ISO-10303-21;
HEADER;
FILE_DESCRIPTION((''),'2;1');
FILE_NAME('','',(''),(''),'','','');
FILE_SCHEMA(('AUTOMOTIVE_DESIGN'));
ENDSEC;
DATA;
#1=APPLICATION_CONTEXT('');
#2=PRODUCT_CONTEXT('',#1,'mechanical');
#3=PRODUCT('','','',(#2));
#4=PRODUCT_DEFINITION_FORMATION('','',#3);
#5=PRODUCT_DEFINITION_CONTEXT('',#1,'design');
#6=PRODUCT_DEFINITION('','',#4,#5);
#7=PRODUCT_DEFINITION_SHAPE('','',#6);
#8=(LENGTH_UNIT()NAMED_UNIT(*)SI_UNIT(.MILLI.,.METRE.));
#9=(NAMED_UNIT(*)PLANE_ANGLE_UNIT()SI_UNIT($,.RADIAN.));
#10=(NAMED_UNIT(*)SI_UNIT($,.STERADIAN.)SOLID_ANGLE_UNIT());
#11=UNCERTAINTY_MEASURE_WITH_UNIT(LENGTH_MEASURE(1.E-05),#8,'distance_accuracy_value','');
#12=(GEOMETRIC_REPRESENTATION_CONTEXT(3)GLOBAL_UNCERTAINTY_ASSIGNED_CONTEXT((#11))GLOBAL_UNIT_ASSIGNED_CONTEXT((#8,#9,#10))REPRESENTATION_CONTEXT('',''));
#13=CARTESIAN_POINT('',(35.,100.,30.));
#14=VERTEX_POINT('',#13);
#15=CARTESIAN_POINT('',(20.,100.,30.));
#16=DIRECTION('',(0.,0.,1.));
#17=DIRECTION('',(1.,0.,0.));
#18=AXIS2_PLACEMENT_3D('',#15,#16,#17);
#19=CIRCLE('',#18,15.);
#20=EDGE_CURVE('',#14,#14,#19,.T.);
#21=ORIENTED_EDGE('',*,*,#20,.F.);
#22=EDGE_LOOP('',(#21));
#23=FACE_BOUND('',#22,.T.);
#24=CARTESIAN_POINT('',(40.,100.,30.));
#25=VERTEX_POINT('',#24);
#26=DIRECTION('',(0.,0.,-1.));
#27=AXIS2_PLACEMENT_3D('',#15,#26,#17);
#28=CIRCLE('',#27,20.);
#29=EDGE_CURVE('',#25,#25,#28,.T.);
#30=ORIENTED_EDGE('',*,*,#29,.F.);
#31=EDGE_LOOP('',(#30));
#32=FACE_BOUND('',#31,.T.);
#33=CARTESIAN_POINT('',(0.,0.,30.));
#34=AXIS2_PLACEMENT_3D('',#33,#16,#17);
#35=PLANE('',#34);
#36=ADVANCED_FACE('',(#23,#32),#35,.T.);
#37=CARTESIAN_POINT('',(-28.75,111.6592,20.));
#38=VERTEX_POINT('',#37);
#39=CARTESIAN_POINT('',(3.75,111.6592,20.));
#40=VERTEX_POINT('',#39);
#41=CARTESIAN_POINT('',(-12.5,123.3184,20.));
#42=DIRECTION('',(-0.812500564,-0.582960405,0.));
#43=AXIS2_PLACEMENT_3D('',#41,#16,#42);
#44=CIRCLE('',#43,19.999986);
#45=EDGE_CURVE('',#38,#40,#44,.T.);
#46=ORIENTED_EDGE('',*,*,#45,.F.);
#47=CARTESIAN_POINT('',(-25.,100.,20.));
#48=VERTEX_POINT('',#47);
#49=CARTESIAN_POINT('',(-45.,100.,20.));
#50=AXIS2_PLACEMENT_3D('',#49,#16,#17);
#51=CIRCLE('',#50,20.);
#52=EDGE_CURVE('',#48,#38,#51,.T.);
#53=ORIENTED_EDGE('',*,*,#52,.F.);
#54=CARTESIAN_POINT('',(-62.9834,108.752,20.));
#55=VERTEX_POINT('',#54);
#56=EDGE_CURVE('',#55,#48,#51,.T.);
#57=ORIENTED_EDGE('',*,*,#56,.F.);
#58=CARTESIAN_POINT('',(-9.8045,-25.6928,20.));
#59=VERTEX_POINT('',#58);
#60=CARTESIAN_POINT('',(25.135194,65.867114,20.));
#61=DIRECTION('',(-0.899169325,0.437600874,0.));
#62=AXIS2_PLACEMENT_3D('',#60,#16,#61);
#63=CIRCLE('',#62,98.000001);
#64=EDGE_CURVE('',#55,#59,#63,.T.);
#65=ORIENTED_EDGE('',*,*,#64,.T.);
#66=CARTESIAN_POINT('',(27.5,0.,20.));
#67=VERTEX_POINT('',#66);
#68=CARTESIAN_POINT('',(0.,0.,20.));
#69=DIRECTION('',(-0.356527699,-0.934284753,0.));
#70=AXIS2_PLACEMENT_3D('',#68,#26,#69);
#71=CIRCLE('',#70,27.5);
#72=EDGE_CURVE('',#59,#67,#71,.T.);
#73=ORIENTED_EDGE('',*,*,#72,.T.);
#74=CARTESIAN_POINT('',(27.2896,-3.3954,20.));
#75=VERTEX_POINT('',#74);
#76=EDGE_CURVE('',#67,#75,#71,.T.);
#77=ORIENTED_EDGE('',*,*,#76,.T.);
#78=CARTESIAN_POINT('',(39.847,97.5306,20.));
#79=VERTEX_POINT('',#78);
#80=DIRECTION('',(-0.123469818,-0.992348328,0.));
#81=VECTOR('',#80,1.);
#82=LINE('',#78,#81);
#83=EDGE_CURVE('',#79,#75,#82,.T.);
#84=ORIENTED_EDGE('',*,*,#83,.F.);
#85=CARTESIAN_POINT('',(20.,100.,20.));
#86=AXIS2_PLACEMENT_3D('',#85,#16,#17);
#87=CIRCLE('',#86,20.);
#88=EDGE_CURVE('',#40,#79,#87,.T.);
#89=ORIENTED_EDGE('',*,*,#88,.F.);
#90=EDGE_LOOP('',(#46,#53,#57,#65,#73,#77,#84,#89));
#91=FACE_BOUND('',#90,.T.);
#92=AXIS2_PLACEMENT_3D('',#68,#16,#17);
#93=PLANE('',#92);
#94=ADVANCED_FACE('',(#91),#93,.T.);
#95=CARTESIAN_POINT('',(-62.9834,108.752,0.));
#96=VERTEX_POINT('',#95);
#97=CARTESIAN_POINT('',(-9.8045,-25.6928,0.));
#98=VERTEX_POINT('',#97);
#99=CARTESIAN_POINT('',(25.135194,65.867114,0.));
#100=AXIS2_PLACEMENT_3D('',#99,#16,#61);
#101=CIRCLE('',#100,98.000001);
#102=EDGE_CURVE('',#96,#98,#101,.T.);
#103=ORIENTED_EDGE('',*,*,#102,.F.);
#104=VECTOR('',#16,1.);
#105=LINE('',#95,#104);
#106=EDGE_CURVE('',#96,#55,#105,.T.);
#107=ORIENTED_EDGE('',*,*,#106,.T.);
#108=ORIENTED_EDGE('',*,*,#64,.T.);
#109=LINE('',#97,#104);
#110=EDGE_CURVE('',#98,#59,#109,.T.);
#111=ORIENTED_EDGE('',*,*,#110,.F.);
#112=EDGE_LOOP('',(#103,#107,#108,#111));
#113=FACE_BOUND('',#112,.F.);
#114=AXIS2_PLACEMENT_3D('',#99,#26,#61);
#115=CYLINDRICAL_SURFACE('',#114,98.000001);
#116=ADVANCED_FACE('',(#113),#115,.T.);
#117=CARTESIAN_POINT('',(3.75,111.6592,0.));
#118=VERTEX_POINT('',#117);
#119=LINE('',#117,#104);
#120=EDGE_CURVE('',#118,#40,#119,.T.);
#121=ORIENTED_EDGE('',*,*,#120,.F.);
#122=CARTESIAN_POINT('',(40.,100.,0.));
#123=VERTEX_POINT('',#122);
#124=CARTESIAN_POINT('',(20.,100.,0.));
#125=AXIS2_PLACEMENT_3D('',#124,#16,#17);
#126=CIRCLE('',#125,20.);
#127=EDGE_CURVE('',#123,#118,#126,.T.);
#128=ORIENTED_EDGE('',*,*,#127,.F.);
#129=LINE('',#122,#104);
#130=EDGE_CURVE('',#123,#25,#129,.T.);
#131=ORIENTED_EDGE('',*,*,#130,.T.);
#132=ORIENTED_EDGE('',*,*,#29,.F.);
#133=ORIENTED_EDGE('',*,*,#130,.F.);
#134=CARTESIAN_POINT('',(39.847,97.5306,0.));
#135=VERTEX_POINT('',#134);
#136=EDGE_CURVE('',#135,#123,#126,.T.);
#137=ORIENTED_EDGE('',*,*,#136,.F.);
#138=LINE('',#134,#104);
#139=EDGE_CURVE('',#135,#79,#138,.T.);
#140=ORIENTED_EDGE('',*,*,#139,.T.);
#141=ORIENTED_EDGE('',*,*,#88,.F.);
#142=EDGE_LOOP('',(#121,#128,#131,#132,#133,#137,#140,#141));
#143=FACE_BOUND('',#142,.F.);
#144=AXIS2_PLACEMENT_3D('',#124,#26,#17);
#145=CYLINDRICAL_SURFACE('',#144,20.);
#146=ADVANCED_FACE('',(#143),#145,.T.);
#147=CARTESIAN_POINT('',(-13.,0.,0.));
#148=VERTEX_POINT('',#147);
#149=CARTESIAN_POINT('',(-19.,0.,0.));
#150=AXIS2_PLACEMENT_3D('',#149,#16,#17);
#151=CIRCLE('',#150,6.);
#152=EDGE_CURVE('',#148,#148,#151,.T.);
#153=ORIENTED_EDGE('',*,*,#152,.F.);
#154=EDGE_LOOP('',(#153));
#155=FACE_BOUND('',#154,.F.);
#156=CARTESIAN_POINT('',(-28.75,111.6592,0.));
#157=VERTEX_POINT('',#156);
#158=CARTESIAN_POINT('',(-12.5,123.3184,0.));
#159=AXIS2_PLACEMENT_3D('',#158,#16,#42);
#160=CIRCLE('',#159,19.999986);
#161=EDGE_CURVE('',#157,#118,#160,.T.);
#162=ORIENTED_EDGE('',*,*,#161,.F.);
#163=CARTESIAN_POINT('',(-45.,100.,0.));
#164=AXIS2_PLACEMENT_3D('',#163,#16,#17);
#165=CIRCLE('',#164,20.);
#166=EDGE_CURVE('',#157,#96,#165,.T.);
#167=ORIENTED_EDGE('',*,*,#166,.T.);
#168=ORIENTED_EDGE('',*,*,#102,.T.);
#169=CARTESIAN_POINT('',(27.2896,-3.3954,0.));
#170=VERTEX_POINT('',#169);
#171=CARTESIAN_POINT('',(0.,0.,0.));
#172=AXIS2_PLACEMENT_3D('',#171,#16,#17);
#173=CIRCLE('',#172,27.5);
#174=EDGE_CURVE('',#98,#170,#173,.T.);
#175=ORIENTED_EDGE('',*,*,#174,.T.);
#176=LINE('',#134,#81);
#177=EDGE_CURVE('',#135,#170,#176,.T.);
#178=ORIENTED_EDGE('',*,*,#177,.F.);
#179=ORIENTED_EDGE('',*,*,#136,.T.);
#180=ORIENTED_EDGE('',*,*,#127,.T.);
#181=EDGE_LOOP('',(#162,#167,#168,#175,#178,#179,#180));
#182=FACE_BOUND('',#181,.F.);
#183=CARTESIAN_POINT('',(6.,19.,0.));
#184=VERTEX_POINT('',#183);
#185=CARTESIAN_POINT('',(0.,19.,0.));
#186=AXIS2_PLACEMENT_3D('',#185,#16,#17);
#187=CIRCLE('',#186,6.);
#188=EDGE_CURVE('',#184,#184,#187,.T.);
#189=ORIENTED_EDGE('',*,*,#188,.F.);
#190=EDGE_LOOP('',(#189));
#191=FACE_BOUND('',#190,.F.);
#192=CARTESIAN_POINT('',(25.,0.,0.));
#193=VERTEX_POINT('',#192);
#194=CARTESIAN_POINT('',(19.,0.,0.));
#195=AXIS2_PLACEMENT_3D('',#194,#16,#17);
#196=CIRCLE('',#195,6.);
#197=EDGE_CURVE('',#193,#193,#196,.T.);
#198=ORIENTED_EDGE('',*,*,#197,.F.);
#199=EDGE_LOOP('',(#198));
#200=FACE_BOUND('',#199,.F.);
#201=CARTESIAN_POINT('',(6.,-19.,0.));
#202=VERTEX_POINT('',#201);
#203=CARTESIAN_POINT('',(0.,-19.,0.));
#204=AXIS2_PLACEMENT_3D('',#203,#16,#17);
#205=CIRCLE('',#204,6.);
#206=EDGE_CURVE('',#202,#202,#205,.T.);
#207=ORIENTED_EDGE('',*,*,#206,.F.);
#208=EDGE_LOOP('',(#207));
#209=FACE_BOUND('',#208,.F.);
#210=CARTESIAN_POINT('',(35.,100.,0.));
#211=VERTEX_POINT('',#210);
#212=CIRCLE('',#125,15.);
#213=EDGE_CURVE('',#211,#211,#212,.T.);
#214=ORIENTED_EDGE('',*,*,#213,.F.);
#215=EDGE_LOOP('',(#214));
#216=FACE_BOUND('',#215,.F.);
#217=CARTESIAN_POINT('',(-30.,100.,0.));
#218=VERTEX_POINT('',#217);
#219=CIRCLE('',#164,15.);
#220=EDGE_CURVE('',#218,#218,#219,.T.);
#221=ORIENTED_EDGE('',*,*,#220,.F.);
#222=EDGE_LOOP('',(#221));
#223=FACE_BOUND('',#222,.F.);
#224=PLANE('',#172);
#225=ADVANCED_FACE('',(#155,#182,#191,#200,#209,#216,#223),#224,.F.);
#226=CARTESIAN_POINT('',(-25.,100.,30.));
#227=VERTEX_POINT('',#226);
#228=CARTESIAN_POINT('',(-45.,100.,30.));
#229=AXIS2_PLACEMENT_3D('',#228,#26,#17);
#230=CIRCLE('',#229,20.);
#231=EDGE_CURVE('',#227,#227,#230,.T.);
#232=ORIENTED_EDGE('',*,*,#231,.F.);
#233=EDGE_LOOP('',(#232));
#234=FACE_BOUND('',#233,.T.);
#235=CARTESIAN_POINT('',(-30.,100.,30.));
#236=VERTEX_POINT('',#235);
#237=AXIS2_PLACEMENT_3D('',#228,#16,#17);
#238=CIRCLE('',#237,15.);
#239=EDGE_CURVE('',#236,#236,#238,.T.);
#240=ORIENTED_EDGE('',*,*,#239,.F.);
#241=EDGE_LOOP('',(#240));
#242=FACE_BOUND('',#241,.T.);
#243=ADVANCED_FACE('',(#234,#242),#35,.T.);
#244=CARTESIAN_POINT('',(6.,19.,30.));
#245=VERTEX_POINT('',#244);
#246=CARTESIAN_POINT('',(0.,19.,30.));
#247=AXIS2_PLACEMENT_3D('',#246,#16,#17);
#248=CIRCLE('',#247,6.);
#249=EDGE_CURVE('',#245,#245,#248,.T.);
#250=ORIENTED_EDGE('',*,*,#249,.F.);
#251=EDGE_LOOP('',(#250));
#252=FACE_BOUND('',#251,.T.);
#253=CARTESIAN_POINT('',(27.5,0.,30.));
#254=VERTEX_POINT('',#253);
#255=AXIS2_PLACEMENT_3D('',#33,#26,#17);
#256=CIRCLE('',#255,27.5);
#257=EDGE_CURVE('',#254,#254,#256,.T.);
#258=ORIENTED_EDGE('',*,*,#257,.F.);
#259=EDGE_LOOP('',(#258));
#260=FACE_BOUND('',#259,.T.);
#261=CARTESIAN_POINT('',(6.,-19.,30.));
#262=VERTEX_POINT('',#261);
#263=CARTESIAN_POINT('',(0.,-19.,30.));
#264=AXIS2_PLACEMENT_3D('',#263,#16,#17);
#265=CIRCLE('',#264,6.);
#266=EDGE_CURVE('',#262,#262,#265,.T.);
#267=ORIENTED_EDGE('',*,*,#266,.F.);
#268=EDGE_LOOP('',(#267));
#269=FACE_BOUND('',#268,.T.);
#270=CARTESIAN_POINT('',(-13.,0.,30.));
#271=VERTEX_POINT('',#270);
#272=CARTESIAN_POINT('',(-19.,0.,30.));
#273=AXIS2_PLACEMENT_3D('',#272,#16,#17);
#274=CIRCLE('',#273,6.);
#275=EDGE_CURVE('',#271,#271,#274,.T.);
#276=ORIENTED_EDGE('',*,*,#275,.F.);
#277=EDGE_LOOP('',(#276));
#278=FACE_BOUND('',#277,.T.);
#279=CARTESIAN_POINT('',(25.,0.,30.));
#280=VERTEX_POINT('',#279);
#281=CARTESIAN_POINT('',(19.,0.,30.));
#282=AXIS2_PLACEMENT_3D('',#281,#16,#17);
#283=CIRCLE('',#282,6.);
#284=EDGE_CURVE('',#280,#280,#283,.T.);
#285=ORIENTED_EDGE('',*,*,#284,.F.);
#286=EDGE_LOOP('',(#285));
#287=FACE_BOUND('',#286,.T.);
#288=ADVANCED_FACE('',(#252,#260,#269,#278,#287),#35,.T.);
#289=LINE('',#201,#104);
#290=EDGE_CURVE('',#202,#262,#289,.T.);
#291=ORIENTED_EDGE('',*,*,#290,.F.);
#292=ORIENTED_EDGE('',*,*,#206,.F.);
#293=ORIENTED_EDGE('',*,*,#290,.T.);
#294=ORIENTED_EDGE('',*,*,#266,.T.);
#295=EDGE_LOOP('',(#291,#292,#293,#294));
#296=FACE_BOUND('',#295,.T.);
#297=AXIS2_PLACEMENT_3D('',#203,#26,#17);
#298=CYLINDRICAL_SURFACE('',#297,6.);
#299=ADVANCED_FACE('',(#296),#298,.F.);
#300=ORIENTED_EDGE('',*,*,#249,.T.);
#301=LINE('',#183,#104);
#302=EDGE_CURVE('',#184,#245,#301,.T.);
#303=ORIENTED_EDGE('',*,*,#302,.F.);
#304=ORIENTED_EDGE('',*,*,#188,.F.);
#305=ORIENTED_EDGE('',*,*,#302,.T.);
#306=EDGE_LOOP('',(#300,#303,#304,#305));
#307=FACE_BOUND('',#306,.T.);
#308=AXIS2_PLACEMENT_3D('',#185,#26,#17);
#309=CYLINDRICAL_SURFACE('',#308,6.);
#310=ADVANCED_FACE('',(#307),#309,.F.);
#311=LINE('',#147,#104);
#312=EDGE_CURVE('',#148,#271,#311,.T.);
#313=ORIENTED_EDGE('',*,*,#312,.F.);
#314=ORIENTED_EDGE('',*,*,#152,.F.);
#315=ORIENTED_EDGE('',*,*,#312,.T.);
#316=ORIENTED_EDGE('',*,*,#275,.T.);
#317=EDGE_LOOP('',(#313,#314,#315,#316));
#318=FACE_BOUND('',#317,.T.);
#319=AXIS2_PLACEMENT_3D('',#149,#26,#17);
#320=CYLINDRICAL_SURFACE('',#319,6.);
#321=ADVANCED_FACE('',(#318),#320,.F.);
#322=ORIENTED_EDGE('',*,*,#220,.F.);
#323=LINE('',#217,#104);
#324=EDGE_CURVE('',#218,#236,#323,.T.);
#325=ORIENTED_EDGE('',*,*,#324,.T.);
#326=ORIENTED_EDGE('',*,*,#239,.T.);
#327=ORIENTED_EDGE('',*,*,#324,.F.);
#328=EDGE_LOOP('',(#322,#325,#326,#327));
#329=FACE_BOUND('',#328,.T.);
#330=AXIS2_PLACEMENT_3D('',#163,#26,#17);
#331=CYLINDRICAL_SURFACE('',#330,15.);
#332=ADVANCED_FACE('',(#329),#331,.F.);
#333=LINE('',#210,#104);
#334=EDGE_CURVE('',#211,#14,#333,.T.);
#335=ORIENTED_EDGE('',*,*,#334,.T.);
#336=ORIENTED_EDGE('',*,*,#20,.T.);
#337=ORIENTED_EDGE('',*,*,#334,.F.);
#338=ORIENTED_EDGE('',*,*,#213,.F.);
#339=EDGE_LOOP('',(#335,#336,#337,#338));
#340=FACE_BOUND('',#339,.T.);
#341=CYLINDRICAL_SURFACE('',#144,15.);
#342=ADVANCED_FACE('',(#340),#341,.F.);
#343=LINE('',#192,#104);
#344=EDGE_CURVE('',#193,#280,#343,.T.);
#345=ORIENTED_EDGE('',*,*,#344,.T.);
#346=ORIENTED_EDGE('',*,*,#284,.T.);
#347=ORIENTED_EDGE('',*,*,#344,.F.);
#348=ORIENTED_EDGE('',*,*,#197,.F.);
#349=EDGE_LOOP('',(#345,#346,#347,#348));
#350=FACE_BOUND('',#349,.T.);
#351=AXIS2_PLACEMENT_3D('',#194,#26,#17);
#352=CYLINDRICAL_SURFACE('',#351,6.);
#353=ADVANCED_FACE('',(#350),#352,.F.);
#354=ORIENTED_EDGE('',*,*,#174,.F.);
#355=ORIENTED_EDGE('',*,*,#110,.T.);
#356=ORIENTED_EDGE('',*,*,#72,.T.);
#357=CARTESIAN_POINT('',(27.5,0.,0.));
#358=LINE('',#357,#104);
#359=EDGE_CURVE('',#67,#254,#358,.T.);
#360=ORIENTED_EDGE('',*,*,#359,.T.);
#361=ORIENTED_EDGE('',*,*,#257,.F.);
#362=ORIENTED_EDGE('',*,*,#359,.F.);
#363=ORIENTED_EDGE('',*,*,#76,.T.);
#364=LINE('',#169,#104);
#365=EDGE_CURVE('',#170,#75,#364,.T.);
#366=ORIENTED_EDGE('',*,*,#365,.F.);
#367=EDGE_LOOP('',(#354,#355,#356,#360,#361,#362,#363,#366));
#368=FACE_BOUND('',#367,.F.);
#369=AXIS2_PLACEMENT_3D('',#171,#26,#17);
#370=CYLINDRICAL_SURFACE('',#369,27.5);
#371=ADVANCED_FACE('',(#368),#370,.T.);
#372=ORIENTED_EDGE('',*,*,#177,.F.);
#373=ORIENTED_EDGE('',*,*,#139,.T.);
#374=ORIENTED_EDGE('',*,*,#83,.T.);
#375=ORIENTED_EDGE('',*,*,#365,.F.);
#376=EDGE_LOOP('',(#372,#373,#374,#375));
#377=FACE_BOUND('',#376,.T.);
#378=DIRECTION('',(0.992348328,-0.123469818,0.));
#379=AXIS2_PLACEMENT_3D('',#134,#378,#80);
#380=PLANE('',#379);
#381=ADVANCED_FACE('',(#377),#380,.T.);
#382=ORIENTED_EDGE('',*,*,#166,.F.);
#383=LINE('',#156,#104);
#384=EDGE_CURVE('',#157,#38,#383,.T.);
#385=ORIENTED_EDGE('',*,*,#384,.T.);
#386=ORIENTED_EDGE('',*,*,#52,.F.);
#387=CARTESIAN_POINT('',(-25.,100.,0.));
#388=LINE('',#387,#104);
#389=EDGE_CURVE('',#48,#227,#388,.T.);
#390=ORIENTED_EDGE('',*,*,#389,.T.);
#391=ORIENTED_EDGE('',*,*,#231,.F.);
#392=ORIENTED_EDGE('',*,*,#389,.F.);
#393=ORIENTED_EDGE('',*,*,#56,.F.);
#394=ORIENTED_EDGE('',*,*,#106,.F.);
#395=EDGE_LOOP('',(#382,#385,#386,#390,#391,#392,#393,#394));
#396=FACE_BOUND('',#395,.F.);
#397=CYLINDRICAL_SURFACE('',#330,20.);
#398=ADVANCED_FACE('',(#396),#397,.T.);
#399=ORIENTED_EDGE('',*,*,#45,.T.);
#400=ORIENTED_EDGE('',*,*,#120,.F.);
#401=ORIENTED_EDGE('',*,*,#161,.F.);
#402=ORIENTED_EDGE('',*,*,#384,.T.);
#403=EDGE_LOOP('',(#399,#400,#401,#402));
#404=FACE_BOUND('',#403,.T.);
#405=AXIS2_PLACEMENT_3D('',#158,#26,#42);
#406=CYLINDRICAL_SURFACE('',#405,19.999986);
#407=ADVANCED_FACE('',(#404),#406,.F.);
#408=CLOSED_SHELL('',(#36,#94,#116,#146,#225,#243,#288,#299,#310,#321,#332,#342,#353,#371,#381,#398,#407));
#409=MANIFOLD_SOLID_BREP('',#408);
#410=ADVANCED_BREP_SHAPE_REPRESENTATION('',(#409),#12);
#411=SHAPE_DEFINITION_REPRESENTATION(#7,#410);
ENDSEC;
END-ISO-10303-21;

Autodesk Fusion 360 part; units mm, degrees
sketch "Sketch1" plane through (0, 0, 0) normal (0, 0, 1) x (1, 0, 0)
  circle A0 centre (0, 0) radius 27.5
  circle A1 centre (0, 0) radius 19 construction
  circle A2 centre (19, 0) radius 6
  circle A3 centre (0, 19) radius 6
  circle A4 centre (-19, 0) radius 6
  circle A5 centre (0, -19) radius 6
  circle A6 centre (-45, 100) radius 15
  circle A7 centre (-45, 100) radius 20
  circle A8 centre (20, 100) radius 15
  circle A9 centre (20, 100) radius 20
  arc A10 (-28.75, 111.6592) -> (3.75, 111.6592) centre (-12.5, 123.3184) ccw
  arc A11 (-62.9834, 108.752) -> (-9.8045, -25.6928) centre (25.1352, 65.8671) ccw
  line L0 (39.847, 97.5306) -> (27.2896, -3.3954)
  dimension "d1" = 55
  dimension "d2" = 38
  dimension "d3" = 12
  dimension "d5" = 360
  dimension "d8" = 30
  dimension "d9" = 40
  dimension "d10" = 65
  dimension "d11" = 30
  dimension "d12" = 40
  dimension "d13" = 40
  dimension "d14" = 196
extrude "Extrude1" add sketch "Sketch1" along normal blind 30 contours A7 | A9 makes body 1 at (39.9006, 101.9914, 20) makes body 2 at (-25.0994, 101.9914, 20)
extrude "Extrude2" add sketch "Sketch1" along normal blind 20 contours A0 A7 A9 A10 A11 L0 bodies 1 2
extrude "Extrude3" add sketch "Sketch1" along normal blind 30 contours A0 bodies 1
